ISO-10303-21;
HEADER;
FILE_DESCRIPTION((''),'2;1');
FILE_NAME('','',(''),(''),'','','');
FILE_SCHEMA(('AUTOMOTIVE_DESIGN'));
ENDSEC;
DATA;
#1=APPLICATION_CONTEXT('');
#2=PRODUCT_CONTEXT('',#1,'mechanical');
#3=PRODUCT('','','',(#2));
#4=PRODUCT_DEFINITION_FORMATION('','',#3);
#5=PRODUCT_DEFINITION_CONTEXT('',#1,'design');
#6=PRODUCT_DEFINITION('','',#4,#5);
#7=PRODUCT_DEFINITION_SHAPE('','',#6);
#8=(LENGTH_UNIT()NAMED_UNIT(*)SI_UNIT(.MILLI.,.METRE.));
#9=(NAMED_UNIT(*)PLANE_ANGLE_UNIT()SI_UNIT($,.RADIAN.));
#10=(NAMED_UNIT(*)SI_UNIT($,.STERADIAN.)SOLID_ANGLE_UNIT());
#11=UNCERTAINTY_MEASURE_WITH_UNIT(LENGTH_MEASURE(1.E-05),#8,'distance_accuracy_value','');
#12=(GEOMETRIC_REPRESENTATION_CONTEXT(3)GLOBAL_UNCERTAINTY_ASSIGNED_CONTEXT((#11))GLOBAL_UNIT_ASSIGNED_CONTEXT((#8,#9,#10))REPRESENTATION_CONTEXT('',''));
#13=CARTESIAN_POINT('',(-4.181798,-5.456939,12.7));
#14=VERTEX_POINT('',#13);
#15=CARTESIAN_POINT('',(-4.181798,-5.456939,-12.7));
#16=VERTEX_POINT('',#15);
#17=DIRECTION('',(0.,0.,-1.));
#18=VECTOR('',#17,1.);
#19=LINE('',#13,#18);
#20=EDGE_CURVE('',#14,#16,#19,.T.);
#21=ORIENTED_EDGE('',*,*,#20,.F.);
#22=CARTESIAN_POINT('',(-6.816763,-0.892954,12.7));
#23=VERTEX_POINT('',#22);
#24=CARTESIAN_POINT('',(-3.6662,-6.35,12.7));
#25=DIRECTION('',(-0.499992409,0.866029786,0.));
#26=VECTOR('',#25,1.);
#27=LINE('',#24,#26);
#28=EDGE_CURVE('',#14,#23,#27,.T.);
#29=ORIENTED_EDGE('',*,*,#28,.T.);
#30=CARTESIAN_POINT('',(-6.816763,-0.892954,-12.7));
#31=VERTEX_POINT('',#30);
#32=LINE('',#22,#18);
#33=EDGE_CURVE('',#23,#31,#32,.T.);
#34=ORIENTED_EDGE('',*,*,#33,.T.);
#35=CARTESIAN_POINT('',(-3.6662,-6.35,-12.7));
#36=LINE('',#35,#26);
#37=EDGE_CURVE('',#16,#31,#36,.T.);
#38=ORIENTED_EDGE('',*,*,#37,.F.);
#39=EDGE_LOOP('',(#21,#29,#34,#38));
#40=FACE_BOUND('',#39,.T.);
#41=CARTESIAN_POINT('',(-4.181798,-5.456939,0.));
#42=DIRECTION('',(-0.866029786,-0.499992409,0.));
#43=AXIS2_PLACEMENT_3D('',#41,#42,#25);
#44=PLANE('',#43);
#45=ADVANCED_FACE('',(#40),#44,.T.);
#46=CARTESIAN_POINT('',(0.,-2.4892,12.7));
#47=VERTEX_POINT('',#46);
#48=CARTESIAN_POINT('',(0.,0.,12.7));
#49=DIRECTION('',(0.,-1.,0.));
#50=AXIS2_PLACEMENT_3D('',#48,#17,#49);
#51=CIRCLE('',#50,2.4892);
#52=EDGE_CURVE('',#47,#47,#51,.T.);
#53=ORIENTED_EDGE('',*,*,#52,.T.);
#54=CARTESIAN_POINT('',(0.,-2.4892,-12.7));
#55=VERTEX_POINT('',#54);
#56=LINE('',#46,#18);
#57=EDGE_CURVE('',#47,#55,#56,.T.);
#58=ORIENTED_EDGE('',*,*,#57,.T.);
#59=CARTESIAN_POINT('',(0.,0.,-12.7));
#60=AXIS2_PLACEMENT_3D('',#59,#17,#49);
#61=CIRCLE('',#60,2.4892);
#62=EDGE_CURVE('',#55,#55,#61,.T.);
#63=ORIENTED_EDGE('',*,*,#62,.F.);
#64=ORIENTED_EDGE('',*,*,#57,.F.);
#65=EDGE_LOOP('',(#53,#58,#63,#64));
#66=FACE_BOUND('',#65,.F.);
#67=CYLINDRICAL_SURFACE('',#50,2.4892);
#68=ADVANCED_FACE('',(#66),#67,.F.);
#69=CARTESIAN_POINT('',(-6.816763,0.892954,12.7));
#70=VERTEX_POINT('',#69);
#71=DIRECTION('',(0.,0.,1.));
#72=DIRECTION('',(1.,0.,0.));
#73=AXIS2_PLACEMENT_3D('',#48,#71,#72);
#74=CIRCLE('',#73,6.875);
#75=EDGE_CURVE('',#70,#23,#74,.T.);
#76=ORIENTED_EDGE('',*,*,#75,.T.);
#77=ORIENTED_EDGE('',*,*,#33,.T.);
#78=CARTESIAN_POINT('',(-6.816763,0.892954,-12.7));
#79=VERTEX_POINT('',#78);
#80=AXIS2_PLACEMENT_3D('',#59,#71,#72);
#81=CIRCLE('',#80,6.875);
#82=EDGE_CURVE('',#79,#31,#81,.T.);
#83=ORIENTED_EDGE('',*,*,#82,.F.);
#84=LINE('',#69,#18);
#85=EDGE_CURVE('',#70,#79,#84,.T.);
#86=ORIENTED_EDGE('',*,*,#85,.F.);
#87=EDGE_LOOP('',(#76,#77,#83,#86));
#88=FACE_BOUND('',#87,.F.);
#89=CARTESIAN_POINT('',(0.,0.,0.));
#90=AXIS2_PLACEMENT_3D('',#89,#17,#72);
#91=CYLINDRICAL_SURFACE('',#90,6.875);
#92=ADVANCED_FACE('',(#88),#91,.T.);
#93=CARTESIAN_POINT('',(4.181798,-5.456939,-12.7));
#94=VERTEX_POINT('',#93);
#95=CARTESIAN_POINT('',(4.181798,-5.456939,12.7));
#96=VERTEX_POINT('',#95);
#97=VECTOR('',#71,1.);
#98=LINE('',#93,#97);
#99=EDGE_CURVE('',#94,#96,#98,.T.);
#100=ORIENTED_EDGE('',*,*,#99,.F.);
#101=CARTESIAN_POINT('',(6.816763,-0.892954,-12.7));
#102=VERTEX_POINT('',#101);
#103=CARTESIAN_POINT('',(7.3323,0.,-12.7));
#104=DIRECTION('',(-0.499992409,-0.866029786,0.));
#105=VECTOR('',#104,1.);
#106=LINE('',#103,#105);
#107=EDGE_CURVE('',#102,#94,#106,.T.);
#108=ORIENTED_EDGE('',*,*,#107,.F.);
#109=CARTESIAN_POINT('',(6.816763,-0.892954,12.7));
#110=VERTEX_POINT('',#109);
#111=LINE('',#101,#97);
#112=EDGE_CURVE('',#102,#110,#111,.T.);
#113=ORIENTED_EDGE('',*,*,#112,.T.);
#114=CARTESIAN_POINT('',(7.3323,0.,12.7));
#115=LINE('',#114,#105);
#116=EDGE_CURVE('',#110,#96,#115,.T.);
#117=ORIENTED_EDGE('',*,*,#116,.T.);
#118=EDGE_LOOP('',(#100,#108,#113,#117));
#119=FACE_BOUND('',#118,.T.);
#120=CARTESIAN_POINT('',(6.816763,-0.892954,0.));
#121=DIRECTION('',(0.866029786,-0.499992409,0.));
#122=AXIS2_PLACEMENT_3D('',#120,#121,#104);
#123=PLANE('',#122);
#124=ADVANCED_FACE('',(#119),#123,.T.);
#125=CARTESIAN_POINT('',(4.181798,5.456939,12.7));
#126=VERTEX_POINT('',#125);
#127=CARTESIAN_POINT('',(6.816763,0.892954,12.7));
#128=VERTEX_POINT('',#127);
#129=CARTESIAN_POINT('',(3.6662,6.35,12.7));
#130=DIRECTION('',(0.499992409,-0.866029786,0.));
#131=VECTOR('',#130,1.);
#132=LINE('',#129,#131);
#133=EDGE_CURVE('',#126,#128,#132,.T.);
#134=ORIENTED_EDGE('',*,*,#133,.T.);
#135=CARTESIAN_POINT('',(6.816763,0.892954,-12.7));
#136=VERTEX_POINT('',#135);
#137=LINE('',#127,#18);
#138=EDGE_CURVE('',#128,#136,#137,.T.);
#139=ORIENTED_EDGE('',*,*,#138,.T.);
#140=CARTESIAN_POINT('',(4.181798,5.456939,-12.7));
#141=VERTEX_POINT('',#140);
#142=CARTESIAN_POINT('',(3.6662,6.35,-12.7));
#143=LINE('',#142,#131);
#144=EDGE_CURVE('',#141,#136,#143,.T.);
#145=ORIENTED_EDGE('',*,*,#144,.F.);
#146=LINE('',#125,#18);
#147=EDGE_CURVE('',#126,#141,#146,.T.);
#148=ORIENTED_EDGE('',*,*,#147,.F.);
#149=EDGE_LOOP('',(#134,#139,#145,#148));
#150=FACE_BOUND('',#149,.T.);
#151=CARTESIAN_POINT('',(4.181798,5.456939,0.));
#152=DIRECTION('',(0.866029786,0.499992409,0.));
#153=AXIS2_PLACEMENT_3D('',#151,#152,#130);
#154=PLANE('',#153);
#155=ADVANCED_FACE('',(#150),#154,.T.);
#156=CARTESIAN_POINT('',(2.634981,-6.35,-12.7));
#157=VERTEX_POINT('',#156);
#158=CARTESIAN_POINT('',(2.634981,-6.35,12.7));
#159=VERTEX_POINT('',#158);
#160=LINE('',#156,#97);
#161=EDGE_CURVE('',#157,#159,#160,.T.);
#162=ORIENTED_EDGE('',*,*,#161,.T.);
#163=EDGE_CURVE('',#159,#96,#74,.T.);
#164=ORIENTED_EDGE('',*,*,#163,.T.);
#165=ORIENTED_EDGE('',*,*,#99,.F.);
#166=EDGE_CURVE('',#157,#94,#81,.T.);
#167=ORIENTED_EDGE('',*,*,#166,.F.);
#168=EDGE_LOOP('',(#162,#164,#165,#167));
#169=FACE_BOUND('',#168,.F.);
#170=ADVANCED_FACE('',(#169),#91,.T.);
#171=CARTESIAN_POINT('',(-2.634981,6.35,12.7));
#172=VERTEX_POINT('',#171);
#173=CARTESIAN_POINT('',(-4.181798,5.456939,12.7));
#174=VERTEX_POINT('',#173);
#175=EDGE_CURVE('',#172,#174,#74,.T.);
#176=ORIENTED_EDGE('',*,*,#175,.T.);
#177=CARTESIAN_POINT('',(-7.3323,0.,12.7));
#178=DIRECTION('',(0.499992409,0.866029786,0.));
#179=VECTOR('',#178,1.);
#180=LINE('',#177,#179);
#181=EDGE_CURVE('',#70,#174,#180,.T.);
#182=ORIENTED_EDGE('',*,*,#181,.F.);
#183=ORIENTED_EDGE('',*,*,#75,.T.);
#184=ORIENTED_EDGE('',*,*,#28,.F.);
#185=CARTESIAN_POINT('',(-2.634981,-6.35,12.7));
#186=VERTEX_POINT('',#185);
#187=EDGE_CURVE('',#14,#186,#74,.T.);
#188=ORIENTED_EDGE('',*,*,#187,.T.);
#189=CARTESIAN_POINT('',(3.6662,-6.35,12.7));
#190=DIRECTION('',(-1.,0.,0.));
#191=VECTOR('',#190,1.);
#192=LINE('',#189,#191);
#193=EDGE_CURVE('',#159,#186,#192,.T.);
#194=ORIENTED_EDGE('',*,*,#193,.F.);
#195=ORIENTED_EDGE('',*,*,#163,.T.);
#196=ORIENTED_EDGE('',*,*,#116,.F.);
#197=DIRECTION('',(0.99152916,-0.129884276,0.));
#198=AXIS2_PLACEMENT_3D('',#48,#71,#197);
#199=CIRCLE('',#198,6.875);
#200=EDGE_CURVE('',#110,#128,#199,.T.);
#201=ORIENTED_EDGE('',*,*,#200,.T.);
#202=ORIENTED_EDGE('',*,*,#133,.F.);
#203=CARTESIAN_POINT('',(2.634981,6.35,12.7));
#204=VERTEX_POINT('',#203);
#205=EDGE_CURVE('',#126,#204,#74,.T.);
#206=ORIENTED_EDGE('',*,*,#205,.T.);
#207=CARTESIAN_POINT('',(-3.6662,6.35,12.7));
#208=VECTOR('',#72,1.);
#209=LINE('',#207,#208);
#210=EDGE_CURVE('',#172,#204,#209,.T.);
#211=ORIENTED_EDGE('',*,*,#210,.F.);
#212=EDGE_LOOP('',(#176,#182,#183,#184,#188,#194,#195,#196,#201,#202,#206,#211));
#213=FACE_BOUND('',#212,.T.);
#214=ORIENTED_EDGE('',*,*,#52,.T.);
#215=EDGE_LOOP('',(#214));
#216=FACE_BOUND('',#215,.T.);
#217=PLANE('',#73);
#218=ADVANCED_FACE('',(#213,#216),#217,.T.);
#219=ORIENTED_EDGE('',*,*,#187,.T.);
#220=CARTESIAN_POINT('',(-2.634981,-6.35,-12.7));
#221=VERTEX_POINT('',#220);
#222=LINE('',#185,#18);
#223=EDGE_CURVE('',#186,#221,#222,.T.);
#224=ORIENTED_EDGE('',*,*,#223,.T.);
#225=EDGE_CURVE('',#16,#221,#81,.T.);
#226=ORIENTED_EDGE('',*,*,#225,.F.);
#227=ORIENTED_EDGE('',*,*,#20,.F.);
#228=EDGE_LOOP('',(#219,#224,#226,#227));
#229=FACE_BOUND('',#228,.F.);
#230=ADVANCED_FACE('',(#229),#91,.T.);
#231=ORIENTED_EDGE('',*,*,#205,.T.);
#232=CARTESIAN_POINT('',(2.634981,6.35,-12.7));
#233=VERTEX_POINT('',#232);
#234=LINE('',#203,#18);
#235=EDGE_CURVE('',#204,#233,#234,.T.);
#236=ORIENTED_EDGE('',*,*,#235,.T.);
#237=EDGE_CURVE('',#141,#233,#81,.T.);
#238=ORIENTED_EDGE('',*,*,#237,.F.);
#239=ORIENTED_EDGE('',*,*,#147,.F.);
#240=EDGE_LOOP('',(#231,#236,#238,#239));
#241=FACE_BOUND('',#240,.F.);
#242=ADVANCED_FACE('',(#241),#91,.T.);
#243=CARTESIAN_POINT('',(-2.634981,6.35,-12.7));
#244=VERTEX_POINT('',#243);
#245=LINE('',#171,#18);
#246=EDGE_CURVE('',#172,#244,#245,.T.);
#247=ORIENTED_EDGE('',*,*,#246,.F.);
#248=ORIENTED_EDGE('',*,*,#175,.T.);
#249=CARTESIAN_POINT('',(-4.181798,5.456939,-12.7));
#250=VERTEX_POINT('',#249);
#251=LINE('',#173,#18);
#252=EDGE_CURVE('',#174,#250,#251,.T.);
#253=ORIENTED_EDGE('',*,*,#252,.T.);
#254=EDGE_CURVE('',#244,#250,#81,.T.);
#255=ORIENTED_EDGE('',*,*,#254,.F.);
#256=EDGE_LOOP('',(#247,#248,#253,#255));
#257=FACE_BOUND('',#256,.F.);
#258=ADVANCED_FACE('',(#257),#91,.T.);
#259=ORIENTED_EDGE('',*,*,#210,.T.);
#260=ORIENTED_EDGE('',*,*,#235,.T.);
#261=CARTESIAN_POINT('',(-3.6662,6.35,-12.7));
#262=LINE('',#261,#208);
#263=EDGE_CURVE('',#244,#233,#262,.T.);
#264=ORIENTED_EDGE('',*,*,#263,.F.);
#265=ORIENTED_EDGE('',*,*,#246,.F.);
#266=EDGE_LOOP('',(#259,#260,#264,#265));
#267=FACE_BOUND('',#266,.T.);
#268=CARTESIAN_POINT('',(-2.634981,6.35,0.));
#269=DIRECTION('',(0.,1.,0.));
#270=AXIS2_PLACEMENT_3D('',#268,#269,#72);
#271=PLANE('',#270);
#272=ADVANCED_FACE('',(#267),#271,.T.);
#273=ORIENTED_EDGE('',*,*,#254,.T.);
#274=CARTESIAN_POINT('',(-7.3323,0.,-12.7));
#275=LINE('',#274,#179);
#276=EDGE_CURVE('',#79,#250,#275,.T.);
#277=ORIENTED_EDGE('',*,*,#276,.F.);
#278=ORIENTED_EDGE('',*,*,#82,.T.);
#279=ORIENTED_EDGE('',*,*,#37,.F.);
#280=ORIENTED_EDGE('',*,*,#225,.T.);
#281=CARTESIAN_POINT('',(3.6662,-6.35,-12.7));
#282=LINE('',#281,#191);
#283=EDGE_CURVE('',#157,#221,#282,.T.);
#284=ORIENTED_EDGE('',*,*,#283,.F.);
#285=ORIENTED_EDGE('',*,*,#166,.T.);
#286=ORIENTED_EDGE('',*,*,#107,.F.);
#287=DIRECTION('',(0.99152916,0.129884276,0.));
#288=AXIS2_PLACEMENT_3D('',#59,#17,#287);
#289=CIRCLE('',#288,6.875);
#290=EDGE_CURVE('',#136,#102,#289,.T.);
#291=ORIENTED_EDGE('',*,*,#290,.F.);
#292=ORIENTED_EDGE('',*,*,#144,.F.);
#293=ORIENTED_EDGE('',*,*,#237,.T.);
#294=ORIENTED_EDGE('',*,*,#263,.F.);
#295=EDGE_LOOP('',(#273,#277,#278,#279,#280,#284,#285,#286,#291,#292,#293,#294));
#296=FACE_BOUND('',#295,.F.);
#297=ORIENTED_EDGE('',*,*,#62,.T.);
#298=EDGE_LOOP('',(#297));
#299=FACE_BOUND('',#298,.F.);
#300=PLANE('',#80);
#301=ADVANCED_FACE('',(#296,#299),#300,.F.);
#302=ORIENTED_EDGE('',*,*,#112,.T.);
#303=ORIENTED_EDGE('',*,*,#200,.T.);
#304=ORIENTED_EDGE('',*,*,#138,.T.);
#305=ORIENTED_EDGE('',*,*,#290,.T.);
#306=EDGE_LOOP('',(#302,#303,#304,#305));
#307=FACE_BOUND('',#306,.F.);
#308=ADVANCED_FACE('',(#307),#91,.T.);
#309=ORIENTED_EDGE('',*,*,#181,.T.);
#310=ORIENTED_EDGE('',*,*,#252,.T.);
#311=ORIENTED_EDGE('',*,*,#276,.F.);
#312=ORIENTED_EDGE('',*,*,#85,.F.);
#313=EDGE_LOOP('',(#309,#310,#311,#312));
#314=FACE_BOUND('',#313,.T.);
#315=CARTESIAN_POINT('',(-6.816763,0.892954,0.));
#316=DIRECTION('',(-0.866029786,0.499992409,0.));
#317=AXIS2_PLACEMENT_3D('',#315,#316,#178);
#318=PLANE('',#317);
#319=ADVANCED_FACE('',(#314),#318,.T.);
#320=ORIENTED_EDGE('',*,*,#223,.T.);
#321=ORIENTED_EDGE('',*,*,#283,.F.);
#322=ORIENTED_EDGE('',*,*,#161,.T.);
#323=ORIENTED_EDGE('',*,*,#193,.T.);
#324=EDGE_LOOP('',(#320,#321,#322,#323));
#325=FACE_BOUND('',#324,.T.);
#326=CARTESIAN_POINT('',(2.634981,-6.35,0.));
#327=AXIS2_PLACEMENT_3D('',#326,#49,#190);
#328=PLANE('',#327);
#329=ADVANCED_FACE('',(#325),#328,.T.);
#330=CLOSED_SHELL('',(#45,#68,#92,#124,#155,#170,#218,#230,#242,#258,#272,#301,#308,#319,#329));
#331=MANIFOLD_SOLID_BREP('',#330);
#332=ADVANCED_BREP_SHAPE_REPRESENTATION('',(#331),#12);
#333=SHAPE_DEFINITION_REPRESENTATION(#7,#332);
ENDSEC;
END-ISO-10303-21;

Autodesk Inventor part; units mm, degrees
ref_plane "YZ Plane" through (0, 0, 0) normal (1, 0, 0) x (0, 1, 0)
ref_plane "XZ Plane" through (0, 0, 0) normal (0, 1, 0) x (-1, 0, 0)
ref_plane "XY Plane" through (0, 0, 0) normal (0, 0, 1) x (1, 0, 0)
sketch "Sketch1" plane through (0, 0, 0) normal (0, 0, 1) x (1, 0, 0)
  line L0 (3.6662, -6.35) -> (-3.6662, -6.35)
  line L1 (-3.6662, -6.35) -> (-7.3323, 0)
  line L2 (-7.3323, 0) -> (-3.6662, 6.35)
  line L3 (-3.6662, 6.35) -> (3.6662, 6.35)
  line L4 (3.6662, 6.35) -> (7.3323, 0)
  line L5 (7.3323, 0) -> (3.6662, -6.35)
  circle A0 centre (0, 0) radius 6.875
  point P0 (2.635, -6.35)
  point P1 (4.1818, -5.457)
  point P2 (6.8168, -0.893)
  point P3 (6.8168, 0.893)
  point P4 (4.1818, 5.457)
  point P5 (2.635, 6.35)
  point P6 (-2.635, 6.35)
  point P7 (-4.1818, 5.457)
  point P8 (-6.8168, 0.893)
  point P9 (-6.8168, -0.893)
  point P10 (-4.1818, -5.457)
  point P11 (-2.635, -6.35)
  dimension "d0" = 12.7
  dimension "d1" = 13.75
extrude "Extrusion1" add sketch "Sketch1" along normal mid plane 25.4 contours L0 A0 L1 L2 L3 L4 L5
sketch "Sketch2" plane through (0, 0, 12.7) normal (0, 0, 1) x (1, 0, 0)
  point P0 (0, 0)
  point P1 (0, 0)
hole "Hole1" at (0, 0, 12.7) direction (0, 0, -1) diameter 4.9784 end through all thread size "1/4-20 UNC" class "2B" standard "ANSI Unified Screw Threads"
equation "\"d2\" = ShaftLength"
equation "\"ShaftLength\" = 25.4"
properties part number "ThunderHex Shaft Creator" material "Aluminum 6061"
